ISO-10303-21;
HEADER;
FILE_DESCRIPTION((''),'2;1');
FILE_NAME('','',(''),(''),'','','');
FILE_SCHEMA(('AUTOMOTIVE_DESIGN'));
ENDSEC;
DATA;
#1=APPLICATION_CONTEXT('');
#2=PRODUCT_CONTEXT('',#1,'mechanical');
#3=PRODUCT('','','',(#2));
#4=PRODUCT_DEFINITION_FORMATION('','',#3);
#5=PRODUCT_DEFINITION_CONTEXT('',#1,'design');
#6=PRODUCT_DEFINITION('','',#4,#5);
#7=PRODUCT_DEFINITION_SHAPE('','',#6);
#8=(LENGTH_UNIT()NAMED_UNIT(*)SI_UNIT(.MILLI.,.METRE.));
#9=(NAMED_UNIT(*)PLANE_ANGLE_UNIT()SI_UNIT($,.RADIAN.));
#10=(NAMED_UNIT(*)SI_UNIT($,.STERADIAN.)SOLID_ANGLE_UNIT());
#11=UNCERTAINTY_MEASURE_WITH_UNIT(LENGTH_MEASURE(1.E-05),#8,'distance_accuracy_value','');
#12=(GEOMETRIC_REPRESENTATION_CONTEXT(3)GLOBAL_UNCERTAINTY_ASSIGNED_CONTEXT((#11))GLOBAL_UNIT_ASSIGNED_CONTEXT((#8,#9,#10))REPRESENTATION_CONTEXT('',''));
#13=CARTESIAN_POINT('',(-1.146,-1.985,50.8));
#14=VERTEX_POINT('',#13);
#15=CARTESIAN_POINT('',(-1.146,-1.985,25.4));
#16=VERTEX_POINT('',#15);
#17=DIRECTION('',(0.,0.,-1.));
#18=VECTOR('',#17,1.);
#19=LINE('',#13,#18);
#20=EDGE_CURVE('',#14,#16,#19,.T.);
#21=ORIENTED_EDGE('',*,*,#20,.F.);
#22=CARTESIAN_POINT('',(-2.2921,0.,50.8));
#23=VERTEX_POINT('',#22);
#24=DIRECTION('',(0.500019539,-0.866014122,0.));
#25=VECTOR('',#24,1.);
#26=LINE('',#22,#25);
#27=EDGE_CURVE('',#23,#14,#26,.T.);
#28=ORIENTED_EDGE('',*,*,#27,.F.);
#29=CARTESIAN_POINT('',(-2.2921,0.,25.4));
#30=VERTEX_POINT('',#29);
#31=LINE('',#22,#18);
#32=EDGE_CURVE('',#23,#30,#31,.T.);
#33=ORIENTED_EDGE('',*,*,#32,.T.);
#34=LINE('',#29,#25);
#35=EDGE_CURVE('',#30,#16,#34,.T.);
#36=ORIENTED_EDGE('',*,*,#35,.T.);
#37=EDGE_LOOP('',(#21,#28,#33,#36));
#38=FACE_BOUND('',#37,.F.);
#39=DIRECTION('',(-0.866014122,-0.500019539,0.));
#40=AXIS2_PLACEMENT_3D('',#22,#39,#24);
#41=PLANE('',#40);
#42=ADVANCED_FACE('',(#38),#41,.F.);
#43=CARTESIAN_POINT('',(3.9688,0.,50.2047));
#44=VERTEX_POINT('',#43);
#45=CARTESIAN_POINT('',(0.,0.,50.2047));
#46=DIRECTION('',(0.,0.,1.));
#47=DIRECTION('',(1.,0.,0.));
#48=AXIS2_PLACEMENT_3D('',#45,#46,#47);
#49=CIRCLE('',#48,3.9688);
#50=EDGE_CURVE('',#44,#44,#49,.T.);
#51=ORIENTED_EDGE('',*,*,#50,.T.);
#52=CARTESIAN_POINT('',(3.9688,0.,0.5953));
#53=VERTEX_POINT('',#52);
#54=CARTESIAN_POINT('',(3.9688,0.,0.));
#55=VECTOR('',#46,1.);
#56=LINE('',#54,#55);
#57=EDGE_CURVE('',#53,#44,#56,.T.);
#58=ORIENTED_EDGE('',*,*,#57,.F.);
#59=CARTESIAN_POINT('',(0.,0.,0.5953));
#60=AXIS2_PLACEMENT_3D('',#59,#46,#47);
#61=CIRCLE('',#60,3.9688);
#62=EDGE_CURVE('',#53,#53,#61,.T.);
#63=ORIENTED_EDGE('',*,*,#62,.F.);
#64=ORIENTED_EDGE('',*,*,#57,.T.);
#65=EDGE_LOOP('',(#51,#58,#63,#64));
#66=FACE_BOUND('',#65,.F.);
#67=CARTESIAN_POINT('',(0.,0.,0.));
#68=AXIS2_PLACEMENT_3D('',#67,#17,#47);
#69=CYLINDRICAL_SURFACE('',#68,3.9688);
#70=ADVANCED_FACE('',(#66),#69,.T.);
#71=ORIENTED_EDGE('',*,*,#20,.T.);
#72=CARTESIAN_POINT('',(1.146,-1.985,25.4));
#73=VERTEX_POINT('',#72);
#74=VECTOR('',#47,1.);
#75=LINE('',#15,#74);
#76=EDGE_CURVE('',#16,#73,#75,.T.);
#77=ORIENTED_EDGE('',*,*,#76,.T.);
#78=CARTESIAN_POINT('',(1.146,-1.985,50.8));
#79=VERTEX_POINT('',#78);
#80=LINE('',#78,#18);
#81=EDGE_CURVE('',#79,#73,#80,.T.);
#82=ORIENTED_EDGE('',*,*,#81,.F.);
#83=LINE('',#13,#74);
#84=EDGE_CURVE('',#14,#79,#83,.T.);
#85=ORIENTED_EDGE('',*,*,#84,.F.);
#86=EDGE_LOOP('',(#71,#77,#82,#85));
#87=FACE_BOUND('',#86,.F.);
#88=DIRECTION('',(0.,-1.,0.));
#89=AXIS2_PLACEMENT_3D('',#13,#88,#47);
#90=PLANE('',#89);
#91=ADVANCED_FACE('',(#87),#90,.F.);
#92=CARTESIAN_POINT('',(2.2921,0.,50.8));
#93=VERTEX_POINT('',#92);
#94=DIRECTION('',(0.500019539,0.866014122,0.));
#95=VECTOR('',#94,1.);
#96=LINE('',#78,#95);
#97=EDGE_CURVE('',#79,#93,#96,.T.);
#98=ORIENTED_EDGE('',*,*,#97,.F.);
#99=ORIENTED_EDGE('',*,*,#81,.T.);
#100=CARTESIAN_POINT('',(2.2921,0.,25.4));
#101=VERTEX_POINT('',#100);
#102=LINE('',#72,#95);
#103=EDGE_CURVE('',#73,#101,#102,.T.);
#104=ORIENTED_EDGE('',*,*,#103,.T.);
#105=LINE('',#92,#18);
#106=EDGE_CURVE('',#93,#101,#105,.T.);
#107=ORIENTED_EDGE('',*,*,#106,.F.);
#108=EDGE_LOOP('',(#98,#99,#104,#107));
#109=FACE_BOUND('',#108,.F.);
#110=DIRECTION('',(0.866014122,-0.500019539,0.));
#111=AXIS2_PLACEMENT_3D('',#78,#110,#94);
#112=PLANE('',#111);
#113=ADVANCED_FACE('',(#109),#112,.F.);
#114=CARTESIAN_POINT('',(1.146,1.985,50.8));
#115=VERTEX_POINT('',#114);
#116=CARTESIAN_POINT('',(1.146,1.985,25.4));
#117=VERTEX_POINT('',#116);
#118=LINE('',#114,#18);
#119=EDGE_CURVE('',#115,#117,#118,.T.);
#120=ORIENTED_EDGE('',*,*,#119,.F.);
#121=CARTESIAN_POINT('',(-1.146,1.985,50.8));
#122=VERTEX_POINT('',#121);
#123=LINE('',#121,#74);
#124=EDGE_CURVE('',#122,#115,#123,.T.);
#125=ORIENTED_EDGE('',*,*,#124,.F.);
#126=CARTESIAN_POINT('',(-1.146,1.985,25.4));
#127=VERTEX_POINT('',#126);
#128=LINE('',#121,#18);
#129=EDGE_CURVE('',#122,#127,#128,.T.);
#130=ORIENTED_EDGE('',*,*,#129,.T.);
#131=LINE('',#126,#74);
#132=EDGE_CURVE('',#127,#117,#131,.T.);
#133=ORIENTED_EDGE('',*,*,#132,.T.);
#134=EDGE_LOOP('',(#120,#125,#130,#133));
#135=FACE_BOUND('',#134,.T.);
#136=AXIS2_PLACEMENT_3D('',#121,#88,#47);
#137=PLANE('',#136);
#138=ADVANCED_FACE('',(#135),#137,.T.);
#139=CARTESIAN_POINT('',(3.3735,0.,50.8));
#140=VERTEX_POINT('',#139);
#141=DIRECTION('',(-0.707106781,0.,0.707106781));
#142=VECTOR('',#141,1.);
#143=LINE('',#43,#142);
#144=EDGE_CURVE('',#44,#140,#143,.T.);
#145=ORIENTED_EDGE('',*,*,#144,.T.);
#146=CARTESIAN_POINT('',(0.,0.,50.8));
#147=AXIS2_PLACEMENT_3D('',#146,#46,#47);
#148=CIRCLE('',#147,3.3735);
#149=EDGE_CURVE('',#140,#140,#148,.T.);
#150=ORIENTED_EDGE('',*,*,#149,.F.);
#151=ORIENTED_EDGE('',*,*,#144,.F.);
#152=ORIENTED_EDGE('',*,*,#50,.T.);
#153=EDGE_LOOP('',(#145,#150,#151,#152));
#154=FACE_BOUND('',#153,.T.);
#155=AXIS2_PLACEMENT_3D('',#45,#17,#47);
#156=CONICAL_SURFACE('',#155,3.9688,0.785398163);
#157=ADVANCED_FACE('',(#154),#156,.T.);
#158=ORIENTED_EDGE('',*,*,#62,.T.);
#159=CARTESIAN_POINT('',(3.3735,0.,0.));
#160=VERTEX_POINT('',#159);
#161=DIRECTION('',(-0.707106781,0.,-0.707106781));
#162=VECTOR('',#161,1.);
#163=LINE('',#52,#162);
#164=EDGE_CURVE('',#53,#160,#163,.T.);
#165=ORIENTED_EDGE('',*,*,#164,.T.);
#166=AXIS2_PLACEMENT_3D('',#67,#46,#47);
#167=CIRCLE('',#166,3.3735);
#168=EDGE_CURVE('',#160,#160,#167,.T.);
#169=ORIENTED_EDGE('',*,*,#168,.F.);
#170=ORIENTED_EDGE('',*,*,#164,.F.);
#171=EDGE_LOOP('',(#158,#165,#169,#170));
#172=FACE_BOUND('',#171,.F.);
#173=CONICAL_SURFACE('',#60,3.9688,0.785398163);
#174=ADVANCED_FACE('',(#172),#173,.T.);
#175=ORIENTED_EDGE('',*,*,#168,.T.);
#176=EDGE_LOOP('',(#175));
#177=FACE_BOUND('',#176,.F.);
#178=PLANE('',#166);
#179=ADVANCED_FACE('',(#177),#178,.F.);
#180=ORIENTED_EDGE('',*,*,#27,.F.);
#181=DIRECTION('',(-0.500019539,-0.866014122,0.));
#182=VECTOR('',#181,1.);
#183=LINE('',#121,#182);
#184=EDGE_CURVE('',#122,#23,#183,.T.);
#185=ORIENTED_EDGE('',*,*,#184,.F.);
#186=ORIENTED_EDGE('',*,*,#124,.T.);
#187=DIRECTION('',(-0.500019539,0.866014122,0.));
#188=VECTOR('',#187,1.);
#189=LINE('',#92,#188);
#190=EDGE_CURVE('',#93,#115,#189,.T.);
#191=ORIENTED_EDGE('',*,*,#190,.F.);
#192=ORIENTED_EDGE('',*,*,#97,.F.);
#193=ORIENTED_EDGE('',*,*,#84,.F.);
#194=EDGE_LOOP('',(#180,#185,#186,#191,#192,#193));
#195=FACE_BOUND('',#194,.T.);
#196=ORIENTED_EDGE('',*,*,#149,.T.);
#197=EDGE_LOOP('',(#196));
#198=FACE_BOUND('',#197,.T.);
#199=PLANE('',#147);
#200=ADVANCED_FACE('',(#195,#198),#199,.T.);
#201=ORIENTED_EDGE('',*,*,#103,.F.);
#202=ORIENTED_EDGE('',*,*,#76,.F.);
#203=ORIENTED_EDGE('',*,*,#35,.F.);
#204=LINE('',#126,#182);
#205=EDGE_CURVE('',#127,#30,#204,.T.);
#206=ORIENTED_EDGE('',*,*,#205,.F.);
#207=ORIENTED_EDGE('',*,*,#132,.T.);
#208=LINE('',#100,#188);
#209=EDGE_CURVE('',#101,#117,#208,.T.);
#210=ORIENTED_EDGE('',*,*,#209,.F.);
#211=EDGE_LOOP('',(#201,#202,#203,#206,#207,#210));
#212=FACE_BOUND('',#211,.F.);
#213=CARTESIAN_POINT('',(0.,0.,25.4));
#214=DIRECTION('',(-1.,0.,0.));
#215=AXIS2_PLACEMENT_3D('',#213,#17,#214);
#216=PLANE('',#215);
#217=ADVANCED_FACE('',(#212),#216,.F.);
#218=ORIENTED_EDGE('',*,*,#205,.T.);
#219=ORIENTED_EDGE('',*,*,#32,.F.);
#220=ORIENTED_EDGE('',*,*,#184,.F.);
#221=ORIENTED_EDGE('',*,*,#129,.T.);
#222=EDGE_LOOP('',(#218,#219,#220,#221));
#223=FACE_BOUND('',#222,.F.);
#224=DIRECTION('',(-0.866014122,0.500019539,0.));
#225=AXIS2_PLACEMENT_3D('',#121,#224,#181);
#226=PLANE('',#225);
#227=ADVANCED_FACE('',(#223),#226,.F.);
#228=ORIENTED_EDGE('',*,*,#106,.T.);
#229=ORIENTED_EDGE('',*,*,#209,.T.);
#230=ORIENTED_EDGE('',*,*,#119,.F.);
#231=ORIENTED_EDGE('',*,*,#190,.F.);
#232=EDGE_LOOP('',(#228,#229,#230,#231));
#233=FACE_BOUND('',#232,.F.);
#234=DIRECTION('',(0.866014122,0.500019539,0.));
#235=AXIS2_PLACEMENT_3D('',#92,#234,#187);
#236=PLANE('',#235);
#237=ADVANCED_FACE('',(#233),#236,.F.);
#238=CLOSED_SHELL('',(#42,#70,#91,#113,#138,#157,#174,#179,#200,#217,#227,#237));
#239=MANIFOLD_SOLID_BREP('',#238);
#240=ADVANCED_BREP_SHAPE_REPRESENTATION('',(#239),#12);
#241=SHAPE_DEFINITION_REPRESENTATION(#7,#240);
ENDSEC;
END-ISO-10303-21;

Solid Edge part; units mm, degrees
sketch "Sketch1" plane through (0, 0, 0) normal (0, 0, 1) x (1, 0, 0)
  circle A0 centre (0, 0) radius 3.9688
  dimension "D1" = 7.9375
extrude "Protrusion1" add sketch "Sketch1" along normal blind 50.8
chamfer "Chamfer1" distance 0.5953 angle 45 2 edges at (-3.9687, 0, 0) (-3.9687, 0, 50.8)
sketch "Sketch2" plane through (0, 0, 50.8) normal (0, 0, 1) x (1, 0, 0)
  line L0 (-1.146, 1.985) -> (1.146, 1.985)
  line L1 (2.2921, 0) -> (1.146, 1.985)
  line L2 (1.146, -1.985) -> (2.2921, 0)
  line L3 (-1.146, -1.985) -> (1.146, -1.985)
  line L4 (-2.2921, 0) -> (-1.146, -1.985)
  line L5 (-1.146, 1.985) -> (-2.2921, 0)
  dimension "D1" = 3.97
extrude "Cutout1" cut sketch "Sketch2" against normal blind 25.4
properties part number "200093"
